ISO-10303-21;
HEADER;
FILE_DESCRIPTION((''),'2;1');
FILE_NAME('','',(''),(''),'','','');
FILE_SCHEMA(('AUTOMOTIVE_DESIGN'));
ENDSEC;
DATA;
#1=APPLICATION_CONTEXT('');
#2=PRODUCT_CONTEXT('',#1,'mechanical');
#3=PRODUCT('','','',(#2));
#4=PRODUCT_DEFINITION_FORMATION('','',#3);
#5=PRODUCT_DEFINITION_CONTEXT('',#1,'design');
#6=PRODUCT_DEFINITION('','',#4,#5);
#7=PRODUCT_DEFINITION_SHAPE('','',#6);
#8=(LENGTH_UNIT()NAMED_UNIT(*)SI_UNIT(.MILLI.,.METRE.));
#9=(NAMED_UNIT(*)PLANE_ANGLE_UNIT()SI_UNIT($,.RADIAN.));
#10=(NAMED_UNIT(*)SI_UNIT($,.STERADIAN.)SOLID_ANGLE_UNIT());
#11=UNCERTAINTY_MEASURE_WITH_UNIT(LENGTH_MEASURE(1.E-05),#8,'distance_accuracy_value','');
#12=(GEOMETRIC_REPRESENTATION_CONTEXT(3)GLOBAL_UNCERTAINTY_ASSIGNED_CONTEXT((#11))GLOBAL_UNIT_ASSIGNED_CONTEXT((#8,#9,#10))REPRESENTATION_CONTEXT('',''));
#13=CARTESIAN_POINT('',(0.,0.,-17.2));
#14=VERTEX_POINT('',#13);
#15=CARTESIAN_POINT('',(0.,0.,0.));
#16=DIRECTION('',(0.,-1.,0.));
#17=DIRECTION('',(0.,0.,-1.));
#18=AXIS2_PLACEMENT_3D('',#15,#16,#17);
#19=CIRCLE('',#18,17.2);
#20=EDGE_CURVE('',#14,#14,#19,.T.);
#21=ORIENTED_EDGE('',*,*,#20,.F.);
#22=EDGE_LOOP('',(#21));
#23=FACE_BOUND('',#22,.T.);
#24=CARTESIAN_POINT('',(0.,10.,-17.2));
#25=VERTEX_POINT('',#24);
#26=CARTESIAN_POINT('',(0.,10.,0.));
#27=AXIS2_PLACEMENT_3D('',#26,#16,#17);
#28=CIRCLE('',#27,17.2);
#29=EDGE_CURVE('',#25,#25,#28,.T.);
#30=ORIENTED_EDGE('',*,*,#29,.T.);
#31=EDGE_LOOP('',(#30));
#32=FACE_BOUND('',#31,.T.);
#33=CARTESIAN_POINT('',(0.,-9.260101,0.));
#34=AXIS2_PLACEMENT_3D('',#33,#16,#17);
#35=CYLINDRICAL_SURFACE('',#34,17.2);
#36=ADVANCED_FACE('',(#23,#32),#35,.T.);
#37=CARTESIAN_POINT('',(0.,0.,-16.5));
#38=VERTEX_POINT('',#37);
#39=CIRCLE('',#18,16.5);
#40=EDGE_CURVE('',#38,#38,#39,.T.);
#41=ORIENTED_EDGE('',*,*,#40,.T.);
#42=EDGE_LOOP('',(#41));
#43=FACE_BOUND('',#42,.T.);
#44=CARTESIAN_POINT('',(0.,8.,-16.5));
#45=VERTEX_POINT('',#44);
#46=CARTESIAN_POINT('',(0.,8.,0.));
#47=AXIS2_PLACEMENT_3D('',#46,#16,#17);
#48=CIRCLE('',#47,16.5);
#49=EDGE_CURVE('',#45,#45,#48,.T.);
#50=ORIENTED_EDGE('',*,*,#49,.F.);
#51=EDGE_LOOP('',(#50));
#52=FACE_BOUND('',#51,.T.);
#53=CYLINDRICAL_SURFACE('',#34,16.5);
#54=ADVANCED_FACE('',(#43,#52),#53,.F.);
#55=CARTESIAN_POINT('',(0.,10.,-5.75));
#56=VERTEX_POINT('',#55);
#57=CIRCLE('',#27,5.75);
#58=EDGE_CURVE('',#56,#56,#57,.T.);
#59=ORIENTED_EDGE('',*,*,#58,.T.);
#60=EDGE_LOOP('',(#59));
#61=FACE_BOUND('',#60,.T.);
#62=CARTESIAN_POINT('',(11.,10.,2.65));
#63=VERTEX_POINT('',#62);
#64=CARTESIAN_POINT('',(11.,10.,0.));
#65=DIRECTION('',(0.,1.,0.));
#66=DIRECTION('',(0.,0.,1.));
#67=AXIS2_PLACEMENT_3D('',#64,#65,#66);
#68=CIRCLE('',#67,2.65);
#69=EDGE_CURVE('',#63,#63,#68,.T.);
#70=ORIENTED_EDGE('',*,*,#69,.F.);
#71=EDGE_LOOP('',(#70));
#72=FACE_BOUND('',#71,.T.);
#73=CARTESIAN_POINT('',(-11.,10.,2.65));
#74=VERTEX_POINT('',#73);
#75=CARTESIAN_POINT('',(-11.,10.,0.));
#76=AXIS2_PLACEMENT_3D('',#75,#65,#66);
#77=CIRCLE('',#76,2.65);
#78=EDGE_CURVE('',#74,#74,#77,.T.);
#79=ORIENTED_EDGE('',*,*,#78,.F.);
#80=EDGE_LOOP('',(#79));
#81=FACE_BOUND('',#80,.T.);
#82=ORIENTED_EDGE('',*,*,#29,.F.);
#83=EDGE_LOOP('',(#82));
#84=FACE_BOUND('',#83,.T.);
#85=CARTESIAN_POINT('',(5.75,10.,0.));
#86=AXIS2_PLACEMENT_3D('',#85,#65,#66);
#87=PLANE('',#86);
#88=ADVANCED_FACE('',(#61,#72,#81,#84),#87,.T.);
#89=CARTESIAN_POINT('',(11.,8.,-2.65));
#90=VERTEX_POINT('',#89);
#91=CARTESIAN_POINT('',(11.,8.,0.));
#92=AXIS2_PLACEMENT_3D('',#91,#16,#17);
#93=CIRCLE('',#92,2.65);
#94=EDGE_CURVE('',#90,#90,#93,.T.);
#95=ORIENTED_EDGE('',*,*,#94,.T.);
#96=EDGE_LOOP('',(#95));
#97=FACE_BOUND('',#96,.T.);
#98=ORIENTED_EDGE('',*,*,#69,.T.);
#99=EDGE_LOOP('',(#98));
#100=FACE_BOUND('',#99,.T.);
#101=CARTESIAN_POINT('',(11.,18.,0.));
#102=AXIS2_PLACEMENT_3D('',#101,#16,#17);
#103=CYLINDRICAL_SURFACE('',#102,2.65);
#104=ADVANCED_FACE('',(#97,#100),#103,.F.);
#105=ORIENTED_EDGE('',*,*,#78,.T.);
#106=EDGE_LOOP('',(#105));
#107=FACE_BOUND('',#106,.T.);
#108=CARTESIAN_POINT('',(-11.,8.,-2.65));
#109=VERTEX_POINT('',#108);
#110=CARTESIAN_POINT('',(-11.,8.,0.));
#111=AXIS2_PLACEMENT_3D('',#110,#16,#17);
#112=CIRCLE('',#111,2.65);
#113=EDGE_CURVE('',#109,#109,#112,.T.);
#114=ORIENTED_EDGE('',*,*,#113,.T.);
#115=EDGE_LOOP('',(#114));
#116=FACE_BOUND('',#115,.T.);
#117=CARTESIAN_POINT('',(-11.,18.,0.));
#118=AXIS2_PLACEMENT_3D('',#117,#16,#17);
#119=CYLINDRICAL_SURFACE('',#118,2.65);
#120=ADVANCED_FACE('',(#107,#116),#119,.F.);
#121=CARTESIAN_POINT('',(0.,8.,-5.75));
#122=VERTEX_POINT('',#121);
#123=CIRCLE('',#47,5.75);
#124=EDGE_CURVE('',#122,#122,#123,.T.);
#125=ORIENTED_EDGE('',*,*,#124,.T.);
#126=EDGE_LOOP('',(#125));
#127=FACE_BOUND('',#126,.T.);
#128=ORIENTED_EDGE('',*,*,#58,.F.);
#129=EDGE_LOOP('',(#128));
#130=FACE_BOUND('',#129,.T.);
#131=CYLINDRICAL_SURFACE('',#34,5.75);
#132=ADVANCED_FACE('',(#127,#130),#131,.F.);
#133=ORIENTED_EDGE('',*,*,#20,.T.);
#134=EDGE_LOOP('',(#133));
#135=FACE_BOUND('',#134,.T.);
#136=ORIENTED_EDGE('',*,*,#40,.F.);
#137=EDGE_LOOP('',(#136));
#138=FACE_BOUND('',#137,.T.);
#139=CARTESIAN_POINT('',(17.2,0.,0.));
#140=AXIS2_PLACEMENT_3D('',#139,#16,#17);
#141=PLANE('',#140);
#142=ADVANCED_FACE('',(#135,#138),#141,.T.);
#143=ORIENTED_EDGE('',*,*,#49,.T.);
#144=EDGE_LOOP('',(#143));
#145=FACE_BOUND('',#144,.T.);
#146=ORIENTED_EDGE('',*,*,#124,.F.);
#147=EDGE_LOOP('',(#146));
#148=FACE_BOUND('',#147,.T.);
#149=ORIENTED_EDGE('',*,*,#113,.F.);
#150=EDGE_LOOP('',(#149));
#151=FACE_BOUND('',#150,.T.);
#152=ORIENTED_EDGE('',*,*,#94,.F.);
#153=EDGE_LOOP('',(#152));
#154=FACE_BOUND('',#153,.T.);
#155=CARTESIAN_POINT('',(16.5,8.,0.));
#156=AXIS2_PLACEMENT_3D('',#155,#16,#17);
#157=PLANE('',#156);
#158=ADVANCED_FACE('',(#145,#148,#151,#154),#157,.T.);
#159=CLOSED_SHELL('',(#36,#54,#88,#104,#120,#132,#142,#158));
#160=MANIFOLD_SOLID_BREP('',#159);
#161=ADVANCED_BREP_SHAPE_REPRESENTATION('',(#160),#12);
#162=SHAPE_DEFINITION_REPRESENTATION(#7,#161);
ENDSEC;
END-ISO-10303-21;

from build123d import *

# Parameters (mm, degrees)
SKETCH2_R          = 2.65
CUT_EXTRUDE1_DEPTH = 10


with BuildPart() as part:
    # Sketch1 → Revolve1 (revolve)
    with BuildSketch(Plane.XY, mode=Mode.PRIVATE) as revolve1_sk:
        Polygon((5.75, 10), (17.2, 10), (17.2, 0), (16.5, 0), (16.5, 8), (5.75, 8), align=None)
    revolve(revolve1_sk.sketch.rotate(Axis((0, -9.26010101, 0), (0, 1, 0)), 90), axis=Axis((0, -9.26010101, 0), (0, 1, 0)))

    # Sketch2 → Cut-Extrude1 (cut)
    with BuildSketch(Plane.XZ.offset(-8)):
        with Locations(Location((-11, 0, 0), (0, 0, 270))):
            Circle(SKETCH2_R)
        with Locations(Location((11, 0, 0), (0, 0, 270))):
            Circle(SKETCH2_R)
    extrude(amount=-CUT_EXTRUDE1_DEPTH, mode=Mode.SUBTRACT)


solid = part.part
